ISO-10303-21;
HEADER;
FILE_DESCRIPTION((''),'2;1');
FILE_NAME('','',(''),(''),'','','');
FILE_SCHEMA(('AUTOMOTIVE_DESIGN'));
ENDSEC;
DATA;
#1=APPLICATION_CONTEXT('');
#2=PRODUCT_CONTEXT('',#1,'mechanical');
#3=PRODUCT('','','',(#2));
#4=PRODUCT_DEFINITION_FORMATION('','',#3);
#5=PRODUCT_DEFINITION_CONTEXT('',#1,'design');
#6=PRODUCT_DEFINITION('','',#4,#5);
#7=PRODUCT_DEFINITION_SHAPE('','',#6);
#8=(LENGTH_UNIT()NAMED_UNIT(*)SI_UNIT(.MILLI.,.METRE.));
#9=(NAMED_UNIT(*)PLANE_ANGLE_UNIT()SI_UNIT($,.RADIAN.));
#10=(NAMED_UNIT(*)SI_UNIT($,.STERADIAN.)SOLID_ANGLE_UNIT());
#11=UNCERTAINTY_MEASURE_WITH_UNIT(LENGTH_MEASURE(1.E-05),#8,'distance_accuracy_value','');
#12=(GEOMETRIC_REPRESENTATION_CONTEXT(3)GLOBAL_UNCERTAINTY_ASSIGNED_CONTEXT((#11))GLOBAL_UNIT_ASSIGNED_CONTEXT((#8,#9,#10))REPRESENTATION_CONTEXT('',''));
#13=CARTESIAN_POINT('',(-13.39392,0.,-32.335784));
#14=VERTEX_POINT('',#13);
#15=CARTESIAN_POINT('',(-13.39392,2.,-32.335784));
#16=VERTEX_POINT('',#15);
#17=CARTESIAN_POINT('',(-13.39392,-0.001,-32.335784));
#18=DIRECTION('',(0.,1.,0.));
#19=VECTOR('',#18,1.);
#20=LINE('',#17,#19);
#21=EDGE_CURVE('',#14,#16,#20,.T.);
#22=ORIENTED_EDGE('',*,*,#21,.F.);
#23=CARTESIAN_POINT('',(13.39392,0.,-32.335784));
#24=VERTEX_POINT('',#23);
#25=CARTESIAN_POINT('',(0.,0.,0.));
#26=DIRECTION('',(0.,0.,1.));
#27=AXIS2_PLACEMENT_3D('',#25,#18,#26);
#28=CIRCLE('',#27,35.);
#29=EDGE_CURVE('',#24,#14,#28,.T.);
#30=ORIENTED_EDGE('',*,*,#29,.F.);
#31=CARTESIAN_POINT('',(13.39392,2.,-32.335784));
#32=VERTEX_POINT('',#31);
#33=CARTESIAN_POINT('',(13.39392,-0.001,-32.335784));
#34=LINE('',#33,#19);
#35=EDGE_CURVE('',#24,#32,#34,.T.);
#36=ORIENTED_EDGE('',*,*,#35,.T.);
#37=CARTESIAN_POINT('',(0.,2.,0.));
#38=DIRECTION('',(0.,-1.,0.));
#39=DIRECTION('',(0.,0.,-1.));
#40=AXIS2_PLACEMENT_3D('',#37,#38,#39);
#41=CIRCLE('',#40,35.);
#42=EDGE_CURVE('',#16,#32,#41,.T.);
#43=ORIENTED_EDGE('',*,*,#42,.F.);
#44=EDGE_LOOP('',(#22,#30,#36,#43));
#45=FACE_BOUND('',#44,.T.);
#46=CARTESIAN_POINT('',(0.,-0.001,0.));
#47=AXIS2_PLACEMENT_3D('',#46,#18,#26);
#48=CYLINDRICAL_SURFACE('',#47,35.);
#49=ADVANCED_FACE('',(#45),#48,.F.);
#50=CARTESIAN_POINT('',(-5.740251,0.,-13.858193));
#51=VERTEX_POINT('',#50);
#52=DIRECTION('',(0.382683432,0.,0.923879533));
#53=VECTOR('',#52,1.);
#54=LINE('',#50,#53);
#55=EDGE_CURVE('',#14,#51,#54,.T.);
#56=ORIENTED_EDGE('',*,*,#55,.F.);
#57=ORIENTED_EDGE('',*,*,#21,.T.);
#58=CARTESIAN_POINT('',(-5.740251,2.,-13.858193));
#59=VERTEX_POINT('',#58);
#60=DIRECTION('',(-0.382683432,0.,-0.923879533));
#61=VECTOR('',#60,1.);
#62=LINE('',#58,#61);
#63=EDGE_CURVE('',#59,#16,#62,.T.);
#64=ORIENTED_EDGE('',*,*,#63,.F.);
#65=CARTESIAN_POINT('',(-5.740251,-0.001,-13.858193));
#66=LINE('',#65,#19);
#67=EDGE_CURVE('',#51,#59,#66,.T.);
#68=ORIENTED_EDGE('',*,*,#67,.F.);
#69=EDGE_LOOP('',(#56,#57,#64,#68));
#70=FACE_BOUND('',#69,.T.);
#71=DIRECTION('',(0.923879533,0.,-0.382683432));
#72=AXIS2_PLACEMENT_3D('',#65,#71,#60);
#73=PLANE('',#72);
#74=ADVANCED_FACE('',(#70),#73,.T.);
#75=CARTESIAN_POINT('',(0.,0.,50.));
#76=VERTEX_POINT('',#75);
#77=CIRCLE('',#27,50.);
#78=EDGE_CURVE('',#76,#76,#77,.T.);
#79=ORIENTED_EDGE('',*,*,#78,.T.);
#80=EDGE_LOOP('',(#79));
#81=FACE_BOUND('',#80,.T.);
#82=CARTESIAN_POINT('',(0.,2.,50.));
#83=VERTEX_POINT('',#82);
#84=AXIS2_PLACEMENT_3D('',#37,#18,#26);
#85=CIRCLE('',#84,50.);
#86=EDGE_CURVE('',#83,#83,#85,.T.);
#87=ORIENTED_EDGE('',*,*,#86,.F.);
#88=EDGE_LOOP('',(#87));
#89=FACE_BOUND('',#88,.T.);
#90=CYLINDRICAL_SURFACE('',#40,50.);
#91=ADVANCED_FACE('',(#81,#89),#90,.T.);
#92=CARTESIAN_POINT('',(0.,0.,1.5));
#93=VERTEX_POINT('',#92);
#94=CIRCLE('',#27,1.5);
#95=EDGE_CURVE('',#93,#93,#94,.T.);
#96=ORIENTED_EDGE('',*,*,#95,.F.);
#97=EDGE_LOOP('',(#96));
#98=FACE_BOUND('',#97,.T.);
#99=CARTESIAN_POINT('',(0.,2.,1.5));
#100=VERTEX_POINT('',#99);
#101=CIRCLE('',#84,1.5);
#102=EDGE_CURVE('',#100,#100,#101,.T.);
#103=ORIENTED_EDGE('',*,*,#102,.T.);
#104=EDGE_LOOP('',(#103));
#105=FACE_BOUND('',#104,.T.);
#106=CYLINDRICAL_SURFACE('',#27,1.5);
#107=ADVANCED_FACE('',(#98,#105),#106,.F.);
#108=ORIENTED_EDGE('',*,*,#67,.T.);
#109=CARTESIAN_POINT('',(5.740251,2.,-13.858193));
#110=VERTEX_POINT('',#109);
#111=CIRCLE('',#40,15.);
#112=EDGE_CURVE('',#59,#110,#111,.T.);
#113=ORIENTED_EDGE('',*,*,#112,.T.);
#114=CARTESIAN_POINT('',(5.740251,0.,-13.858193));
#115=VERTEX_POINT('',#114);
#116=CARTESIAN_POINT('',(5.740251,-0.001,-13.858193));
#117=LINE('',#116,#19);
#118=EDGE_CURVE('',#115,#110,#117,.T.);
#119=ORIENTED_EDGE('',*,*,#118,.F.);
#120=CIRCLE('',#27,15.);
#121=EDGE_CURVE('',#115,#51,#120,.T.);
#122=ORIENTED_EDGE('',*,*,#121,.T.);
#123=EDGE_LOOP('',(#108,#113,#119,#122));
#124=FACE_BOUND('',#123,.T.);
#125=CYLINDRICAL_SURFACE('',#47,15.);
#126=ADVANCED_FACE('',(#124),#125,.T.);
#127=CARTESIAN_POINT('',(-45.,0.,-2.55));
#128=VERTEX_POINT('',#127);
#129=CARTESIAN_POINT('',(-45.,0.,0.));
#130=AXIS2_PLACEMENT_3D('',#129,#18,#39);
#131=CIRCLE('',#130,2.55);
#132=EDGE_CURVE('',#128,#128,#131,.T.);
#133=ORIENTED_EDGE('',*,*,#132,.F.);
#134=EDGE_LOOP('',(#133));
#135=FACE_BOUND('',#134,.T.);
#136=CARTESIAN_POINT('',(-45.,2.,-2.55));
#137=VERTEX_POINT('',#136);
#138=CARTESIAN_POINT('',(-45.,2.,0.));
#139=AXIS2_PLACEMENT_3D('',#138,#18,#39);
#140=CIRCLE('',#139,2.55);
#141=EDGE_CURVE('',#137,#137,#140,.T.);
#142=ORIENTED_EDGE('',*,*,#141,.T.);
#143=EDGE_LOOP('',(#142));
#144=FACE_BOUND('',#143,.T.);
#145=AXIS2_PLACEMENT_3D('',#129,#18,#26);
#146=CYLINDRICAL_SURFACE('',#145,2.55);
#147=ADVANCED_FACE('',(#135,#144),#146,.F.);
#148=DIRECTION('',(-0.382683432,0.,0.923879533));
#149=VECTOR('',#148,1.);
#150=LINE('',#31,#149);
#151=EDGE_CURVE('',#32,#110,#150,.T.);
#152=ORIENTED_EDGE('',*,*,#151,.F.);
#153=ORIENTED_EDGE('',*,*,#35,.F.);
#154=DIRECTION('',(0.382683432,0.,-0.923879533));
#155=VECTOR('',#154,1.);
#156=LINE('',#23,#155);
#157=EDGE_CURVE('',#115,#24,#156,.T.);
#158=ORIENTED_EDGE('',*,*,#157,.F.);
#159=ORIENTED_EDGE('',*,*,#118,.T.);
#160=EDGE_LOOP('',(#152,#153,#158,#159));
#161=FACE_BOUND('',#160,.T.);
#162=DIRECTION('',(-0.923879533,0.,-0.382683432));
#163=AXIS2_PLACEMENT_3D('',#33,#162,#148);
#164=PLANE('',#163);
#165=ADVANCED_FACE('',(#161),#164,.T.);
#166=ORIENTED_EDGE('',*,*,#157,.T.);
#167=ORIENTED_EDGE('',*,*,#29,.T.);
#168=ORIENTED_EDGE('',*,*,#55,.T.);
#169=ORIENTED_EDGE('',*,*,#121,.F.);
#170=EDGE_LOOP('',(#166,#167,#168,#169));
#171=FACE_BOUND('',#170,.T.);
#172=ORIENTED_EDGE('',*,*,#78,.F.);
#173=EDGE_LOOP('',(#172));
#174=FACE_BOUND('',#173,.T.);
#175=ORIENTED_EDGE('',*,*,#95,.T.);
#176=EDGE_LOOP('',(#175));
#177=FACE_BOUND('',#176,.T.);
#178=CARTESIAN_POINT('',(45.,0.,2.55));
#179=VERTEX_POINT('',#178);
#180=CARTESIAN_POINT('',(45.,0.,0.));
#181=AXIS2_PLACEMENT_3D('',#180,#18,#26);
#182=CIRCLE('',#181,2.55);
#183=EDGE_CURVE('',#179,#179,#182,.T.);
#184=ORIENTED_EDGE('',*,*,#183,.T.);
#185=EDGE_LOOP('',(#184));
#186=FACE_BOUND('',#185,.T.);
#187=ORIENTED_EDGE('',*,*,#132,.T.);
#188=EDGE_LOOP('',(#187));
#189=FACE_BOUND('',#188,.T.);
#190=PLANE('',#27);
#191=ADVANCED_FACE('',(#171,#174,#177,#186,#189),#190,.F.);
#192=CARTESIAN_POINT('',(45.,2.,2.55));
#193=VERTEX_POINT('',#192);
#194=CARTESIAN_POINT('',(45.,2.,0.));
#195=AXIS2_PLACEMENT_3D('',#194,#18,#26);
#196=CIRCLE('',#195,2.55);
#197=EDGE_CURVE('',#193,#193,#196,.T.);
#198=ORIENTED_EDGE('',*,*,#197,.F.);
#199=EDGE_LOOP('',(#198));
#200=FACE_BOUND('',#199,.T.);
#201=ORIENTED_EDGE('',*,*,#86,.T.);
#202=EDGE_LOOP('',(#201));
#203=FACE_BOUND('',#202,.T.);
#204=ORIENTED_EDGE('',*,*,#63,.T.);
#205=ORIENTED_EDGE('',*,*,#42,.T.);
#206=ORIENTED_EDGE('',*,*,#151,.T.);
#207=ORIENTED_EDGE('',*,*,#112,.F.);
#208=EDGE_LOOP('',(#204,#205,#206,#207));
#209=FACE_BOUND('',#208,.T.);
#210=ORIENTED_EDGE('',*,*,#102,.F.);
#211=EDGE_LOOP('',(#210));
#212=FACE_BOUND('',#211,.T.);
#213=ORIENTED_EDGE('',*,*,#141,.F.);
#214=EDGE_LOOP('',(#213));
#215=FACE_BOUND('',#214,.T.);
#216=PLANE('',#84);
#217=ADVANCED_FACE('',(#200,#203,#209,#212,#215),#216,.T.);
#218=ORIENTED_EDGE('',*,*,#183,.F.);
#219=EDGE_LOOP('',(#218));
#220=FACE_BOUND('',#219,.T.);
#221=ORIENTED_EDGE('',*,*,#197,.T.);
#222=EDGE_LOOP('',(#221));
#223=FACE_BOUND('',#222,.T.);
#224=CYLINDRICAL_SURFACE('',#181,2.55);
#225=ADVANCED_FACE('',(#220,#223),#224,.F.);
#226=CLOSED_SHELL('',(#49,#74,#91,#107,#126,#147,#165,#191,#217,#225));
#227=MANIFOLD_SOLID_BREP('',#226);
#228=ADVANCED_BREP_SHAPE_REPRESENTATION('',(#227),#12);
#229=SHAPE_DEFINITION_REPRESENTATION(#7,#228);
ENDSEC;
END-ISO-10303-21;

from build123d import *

# Parameters (mm, degrees)
SKETCH2_R           = 50
BOSS_EXTRUDE1_DEPTH = 2
CUT_EXTRUDE1_REACH  = 72.739
SKETCH4_R           = 2.55
CUT_EXTRUDE2_DEPTH  = 71.738956735
CIRPATTERN1_COUNT   = 2
SKETCH5_R           = 1.5
CUT_EXTRUDE3_DEPTH  = 71.738956735


with BuildPart() as part:
    # Sketch2 → Boss-Extrude1 (new body)
    with BuildSketch(Plane(origin=(0, 0, 0), x_dir=(1, 0, 0), z_dir=(0, 1, 0))):
        with Locations(Location((0, 0, 0), (0, 0, 270))):
            Circle(SKETCH2_R)
    extrude(amount=BOSS_EXTRUDE1_DEPTH)

    # Sketch3 → Cut-Extrude1 (cut, up to next)
    with BuildSketch(Plane(origin=(0, 2, 0), x_dir=(1, 0, 0), z_dir=(0, 1, 0)), mode=Mode.PRIVATE) as cut_extrude1_sk1:
        with BuildLine():
            Line((-5.740251485, 13.858192988), (-13.393920133, 32.335783638))
            ThreePointArc((-13.393920133, 32.335783638), (0, 35), (13.393920133, 32.335783638))
            Line((13.393920133, 32.335783638), (5.740251485, 13.858192988))
            ThreePointArc((5.740251485, 13.858192988), (0, 15), (-5.740251485, 13.858192988))
        make_face()
    cut_extrude1_tool1 = extrude(cut_extrude1_sk1.sketch, amount=-CUT_EXTRUDE1_REACH, mode=Mode.PRIVATE) & part.part
    add(cut_extrude1_tool1.solids().sort_by_distance((0, 2, -25.661711))[0], mode=Mode.SUBTRACT)

    # Sketch4 → Cut-Extrude2 (cut, through all)
    with BuildSketch(Plane(origin=(0, 2, 0), x_dir=(1, 0, 0), z_dir=(0, 1, 0))):
        with Locations(Location((45, 0, 0), (0, 0, 270))):
            Circle(SKETCH4_R)
    cut_extrude2 = extrude(amount=-CUT_EXTRUDE2_DEPTH, mode=Mode.SUBTRACT)

    # CirPattern1: Cut-Extrude2 ×2 about axis
    cirpattern1_axis = Axis((0, 0, 0), (0, 1, 0))
    for i in range(1, CIRPATTERN1_COUNT):
        add(cut_extrude2.rotate(cirpattern1_axis, i * 360 / CIRPATTERN1_COUNT), mode=Mode.SUBTRACT)

    # Sketch5 → Cut-Extrude3 (cut, through all)
    with BuildSketch(Plane(origin=(0, 2, 0), x_dir=(1, 0, 0), z_dir=(0, 1, 0))):
        with Locations(Location((0, 0, 0), (0, 0, 270))):
            Circle(SKETCH5_R)
    extrude(amount=-CUT_EXTRUDE3_DEPTH, mode=Mode.SUBTRACT)


solid = part.part
